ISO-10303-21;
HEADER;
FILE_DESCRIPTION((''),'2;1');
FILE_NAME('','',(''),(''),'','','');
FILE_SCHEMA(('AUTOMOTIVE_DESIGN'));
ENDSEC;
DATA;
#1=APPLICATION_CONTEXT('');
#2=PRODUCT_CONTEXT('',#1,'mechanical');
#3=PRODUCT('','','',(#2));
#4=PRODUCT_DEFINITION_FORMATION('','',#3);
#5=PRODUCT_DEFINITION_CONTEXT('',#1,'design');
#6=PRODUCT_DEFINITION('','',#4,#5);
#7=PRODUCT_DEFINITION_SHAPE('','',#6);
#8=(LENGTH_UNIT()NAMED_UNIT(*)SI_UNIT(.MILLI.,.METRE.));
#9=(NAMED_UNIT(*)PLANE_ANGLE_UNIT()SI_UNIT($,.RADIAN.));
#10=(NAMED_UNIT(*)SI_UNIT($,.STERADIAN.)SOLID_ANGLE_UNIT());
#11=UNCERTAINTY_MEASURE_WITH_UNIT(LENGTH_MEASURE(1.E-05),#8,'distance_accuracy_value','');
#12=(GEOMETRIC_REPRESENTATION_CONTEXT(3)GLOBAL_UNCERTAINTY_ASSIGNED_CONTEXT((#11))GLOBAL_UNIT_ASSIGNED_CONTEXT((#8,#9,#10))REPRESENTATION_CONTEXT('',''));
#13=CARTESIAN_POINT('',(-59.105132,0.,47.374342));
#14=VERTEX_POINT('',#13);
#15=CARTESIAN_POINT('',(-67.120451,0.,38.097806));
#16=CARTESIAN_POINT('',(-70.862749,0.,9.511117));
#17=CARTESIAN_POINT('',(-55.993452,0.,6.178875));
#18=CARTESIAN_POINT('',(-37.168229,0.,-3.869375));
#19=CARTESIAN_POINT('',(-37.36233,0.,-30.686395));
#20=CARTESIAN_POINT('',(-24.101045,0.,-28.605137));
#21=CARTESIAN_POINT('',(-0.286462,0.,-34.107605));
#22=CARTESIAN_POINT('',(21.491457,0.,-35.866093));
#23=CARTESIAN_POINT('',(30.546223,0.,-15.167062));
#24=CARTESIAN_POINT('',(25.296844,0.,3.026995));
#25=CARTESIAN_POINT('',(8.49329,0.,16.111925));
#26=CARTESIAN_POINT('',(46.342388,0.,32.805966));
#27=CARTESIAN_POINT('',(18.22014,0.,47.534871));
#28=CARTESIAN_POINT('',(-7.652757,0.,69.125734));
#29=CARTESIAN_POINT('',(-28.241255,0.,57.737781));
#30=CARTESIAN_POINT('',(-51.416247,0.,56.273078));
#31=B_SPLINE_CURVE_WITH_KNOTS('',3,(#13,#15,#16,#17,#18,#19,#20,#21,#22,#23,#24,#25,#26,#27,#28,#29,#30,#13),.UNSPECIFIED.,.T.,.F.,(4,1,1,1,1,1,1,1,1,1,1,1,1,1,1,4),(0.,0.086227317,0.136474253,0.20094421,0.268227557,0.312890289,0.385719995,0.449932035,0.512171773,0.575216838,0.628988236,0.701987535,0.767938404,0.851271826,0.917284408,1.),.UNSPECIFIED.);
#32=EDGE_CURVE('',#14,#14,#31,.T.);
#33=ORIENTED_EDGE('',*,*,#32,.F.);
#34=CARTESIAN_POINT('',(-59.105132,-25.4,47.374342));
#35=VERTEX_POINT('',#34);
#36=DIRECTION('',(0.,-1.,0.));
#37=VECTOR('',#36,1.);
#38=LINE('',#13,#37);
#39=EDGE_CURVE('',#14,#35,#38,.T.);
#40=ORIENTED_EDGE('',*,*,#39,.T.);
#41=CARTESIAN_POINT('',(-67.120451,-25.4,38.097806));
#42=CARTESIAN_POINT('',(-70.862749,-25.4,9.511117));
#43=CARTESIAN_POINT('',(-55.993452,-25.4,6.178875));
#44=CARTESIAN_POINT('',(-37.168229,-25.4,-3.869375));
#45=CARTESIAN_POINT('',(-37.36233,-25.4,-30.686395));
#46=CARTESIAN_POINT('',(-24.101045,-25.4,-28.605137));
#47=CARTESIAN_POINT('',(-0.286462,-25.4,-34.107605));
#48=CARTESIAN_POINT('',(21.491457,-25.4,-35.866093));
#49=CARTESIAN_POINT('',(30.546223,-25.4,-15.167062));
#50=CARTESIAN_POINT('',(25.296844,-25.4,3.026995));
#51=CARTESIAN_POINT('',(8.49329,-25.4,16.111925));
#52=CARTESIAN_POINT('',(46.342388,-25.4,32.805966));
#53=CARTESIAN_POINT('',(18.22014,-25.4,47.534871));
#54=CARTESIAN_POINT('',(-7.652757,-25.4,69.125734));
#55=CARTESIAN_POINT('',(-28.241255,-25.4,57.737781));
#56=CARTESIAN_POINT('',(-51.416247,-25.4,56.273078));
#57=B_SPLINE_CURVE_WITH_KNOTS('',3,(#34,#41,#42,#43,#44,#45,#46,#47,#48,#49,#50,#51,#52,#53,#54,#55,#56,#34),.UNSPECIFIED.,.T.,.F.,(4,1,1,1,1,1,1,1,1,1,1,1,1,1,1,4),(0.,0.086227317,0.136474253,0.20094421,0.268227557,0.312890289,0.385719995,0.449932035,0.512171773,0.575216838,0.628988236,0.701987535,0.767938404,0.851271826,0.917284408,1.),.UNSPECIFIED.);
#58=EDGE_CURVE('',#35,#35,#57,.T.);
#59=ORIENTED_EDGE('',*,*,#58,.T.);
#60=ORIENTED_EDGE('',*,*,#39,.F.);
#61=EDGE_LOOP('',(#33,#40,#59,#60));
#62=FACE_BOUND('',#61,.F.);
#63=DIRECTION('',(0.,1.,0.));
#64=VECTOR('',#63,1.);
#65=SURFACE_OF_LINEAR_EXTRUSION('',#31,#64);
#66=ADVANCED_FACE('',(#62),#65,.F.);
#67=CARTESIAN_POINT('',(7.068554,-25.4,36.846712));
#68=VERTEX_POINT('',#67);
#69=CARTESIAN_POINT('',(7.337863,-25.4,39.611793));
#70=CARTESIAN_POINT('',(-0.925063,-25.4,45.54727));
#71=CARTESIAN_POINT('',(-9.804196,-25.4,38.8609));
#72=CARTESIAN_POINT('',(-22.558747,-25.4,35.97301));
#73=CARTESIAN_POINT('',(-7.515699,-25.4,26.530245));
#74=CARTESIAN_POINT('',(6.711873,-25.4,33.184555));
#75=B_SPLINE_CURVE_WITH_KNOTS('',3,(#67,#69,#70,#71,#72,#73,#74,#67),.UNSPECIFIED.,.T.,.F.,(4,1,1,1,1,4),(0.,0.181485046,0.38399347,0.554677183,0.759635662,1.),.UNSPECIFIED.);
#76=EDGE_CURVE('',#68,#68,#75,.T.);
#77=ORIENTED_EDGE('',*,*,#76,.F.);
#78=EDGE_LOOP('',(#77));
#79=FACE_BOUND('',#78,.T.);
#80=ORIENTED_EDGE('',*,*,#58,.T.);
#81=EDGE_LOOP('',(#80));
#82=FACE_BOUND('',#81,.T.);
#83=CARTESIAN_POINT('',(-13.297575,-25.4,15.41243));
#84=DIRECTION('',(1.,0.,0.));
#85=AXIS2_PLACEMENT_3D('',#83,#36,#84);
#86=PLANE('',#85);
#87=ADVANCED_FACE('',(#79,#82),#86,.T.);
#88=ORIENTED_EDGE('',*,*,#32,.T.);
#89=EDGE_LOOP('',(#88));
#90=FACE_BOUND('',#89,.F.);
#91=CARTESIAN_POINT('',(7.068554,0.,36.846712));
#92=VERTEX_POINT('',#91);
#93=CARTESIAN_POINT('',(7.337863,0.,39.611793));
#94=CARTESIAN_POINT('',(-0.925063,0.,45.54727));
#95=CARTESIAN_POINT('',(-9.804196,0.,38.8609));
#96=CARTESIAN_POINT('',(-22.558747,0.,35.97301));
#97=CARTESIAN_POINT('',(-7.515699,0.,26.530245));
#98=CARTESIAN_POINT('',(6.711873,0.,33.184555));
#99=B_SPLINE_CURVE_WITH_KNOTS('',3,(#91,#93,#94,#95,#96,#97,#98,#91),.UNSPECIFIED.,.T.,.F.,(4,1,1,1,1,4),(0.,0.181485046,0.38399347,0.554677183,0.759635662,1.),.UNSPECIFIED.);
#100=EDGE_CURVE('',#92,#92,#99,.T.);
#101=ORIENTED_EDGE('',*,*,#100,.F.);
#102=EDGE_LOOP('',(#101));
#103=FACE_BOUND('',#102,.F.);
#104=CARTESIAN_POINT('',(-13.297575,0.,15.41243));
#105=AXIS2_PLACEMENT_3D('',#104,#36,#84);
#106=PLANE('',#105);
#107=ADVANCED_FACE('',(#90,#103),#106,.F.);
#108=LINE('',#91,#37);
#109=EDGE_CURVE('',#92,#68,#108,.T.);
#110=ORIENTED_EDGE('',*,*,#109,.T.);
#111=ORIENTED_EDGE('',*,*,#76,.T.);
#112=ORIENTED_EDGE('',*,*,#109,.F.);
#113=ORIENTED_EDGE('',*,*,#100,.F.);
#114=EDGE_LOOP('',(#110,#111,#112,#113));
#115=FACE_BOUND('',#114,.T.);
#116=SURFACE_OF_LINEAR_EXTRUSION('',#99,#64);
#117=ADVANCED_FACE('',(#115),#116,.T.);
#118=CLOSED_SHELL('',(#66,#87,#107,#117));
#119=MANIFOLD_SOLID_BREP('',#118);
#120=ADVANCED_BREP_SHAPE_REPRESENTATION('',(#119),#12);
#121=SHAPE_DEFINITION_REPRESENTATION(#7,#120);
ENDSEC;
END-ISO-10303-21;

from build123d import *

# Parameters (mm, degrees)
F1_DEPTH = 25.4
F3_DEPTH = 25.4


with BuildPart() as f1:
    # F0 (on Front) → F1 (new body)
    with BuildSketch(Plane.XZ):
        with BuildLine():
            add(Edge.make_bspline(
                [(-59.1051317751, 47.3743416369), (-67.1204514466, 38.0978061736), (-70.8627493154, 9.5111165644), (-55.9934523199, 6.1788748303), (-37.1682294487, -3.8693745295), (-37.3623297981, -30.6863945285), (-24.1010453161, -28.6051365661), (-0.2864616454, -34.1076048891), (21.4914571689, -35.8660928098), (30.5462225061, -15.1670617861), (25.2968439295, 3.026994947), (8.493290154, 16.1119248465), (46.3423882039, 32.8059664172), (18.220140098, 47.5348713826), (-7.6527565095, 69.1257339772), (-28.2412553159, 57.7377811822), (-51.4162469446, 56.2730775235), (-59.1051317751, 47.3743416369)],
                knots=[0, 0, 0, 0, 0.0862273168, 0.1364742533, 0.2009442104, 0.2682275567, 0.3128902893, 0.385719995, 0.4499320352, 0.5121717727, 0.5752168378, 0.6289882363, 0.7019875347, 0.7679384044, 0.8512718256, 0.9172844084, 1, 1, 1, 1], degree=3))
        make_face()
    extrude(amount=F1_DEPTH)

    # F2 (on face) → F3 (cut)
    with BuildSketch(Plane(origin=(0, 0, 0), x_dir=(-1, 0, 0), z_dir=(0, 1, 0))):
        with BuildLine():
            add(Edge.make_bspline(
                [(-7.0685539395, 36.8467122316), (-7.3378630315, 39.6117929031), (0.925062528, 45.5472696289), (9.8041958041, 38.860900274), (22.5587468603, 35.9730095714), (7.515698845, 26.5302452062), (-6.7118727526, 33.1845549375), (-7.0685539395, 36.8467122316)],
                knots=[0, 0, 0, 0, 0.1814850458, 0.3839934695, 0.5546771835, 0.7596356623, 1, 1, 1, 1], degree=3))
        make_face()
    extrude(amount=-F3_DEPTH, mode=Mode.SUBTRACT)


solid = f1.part
